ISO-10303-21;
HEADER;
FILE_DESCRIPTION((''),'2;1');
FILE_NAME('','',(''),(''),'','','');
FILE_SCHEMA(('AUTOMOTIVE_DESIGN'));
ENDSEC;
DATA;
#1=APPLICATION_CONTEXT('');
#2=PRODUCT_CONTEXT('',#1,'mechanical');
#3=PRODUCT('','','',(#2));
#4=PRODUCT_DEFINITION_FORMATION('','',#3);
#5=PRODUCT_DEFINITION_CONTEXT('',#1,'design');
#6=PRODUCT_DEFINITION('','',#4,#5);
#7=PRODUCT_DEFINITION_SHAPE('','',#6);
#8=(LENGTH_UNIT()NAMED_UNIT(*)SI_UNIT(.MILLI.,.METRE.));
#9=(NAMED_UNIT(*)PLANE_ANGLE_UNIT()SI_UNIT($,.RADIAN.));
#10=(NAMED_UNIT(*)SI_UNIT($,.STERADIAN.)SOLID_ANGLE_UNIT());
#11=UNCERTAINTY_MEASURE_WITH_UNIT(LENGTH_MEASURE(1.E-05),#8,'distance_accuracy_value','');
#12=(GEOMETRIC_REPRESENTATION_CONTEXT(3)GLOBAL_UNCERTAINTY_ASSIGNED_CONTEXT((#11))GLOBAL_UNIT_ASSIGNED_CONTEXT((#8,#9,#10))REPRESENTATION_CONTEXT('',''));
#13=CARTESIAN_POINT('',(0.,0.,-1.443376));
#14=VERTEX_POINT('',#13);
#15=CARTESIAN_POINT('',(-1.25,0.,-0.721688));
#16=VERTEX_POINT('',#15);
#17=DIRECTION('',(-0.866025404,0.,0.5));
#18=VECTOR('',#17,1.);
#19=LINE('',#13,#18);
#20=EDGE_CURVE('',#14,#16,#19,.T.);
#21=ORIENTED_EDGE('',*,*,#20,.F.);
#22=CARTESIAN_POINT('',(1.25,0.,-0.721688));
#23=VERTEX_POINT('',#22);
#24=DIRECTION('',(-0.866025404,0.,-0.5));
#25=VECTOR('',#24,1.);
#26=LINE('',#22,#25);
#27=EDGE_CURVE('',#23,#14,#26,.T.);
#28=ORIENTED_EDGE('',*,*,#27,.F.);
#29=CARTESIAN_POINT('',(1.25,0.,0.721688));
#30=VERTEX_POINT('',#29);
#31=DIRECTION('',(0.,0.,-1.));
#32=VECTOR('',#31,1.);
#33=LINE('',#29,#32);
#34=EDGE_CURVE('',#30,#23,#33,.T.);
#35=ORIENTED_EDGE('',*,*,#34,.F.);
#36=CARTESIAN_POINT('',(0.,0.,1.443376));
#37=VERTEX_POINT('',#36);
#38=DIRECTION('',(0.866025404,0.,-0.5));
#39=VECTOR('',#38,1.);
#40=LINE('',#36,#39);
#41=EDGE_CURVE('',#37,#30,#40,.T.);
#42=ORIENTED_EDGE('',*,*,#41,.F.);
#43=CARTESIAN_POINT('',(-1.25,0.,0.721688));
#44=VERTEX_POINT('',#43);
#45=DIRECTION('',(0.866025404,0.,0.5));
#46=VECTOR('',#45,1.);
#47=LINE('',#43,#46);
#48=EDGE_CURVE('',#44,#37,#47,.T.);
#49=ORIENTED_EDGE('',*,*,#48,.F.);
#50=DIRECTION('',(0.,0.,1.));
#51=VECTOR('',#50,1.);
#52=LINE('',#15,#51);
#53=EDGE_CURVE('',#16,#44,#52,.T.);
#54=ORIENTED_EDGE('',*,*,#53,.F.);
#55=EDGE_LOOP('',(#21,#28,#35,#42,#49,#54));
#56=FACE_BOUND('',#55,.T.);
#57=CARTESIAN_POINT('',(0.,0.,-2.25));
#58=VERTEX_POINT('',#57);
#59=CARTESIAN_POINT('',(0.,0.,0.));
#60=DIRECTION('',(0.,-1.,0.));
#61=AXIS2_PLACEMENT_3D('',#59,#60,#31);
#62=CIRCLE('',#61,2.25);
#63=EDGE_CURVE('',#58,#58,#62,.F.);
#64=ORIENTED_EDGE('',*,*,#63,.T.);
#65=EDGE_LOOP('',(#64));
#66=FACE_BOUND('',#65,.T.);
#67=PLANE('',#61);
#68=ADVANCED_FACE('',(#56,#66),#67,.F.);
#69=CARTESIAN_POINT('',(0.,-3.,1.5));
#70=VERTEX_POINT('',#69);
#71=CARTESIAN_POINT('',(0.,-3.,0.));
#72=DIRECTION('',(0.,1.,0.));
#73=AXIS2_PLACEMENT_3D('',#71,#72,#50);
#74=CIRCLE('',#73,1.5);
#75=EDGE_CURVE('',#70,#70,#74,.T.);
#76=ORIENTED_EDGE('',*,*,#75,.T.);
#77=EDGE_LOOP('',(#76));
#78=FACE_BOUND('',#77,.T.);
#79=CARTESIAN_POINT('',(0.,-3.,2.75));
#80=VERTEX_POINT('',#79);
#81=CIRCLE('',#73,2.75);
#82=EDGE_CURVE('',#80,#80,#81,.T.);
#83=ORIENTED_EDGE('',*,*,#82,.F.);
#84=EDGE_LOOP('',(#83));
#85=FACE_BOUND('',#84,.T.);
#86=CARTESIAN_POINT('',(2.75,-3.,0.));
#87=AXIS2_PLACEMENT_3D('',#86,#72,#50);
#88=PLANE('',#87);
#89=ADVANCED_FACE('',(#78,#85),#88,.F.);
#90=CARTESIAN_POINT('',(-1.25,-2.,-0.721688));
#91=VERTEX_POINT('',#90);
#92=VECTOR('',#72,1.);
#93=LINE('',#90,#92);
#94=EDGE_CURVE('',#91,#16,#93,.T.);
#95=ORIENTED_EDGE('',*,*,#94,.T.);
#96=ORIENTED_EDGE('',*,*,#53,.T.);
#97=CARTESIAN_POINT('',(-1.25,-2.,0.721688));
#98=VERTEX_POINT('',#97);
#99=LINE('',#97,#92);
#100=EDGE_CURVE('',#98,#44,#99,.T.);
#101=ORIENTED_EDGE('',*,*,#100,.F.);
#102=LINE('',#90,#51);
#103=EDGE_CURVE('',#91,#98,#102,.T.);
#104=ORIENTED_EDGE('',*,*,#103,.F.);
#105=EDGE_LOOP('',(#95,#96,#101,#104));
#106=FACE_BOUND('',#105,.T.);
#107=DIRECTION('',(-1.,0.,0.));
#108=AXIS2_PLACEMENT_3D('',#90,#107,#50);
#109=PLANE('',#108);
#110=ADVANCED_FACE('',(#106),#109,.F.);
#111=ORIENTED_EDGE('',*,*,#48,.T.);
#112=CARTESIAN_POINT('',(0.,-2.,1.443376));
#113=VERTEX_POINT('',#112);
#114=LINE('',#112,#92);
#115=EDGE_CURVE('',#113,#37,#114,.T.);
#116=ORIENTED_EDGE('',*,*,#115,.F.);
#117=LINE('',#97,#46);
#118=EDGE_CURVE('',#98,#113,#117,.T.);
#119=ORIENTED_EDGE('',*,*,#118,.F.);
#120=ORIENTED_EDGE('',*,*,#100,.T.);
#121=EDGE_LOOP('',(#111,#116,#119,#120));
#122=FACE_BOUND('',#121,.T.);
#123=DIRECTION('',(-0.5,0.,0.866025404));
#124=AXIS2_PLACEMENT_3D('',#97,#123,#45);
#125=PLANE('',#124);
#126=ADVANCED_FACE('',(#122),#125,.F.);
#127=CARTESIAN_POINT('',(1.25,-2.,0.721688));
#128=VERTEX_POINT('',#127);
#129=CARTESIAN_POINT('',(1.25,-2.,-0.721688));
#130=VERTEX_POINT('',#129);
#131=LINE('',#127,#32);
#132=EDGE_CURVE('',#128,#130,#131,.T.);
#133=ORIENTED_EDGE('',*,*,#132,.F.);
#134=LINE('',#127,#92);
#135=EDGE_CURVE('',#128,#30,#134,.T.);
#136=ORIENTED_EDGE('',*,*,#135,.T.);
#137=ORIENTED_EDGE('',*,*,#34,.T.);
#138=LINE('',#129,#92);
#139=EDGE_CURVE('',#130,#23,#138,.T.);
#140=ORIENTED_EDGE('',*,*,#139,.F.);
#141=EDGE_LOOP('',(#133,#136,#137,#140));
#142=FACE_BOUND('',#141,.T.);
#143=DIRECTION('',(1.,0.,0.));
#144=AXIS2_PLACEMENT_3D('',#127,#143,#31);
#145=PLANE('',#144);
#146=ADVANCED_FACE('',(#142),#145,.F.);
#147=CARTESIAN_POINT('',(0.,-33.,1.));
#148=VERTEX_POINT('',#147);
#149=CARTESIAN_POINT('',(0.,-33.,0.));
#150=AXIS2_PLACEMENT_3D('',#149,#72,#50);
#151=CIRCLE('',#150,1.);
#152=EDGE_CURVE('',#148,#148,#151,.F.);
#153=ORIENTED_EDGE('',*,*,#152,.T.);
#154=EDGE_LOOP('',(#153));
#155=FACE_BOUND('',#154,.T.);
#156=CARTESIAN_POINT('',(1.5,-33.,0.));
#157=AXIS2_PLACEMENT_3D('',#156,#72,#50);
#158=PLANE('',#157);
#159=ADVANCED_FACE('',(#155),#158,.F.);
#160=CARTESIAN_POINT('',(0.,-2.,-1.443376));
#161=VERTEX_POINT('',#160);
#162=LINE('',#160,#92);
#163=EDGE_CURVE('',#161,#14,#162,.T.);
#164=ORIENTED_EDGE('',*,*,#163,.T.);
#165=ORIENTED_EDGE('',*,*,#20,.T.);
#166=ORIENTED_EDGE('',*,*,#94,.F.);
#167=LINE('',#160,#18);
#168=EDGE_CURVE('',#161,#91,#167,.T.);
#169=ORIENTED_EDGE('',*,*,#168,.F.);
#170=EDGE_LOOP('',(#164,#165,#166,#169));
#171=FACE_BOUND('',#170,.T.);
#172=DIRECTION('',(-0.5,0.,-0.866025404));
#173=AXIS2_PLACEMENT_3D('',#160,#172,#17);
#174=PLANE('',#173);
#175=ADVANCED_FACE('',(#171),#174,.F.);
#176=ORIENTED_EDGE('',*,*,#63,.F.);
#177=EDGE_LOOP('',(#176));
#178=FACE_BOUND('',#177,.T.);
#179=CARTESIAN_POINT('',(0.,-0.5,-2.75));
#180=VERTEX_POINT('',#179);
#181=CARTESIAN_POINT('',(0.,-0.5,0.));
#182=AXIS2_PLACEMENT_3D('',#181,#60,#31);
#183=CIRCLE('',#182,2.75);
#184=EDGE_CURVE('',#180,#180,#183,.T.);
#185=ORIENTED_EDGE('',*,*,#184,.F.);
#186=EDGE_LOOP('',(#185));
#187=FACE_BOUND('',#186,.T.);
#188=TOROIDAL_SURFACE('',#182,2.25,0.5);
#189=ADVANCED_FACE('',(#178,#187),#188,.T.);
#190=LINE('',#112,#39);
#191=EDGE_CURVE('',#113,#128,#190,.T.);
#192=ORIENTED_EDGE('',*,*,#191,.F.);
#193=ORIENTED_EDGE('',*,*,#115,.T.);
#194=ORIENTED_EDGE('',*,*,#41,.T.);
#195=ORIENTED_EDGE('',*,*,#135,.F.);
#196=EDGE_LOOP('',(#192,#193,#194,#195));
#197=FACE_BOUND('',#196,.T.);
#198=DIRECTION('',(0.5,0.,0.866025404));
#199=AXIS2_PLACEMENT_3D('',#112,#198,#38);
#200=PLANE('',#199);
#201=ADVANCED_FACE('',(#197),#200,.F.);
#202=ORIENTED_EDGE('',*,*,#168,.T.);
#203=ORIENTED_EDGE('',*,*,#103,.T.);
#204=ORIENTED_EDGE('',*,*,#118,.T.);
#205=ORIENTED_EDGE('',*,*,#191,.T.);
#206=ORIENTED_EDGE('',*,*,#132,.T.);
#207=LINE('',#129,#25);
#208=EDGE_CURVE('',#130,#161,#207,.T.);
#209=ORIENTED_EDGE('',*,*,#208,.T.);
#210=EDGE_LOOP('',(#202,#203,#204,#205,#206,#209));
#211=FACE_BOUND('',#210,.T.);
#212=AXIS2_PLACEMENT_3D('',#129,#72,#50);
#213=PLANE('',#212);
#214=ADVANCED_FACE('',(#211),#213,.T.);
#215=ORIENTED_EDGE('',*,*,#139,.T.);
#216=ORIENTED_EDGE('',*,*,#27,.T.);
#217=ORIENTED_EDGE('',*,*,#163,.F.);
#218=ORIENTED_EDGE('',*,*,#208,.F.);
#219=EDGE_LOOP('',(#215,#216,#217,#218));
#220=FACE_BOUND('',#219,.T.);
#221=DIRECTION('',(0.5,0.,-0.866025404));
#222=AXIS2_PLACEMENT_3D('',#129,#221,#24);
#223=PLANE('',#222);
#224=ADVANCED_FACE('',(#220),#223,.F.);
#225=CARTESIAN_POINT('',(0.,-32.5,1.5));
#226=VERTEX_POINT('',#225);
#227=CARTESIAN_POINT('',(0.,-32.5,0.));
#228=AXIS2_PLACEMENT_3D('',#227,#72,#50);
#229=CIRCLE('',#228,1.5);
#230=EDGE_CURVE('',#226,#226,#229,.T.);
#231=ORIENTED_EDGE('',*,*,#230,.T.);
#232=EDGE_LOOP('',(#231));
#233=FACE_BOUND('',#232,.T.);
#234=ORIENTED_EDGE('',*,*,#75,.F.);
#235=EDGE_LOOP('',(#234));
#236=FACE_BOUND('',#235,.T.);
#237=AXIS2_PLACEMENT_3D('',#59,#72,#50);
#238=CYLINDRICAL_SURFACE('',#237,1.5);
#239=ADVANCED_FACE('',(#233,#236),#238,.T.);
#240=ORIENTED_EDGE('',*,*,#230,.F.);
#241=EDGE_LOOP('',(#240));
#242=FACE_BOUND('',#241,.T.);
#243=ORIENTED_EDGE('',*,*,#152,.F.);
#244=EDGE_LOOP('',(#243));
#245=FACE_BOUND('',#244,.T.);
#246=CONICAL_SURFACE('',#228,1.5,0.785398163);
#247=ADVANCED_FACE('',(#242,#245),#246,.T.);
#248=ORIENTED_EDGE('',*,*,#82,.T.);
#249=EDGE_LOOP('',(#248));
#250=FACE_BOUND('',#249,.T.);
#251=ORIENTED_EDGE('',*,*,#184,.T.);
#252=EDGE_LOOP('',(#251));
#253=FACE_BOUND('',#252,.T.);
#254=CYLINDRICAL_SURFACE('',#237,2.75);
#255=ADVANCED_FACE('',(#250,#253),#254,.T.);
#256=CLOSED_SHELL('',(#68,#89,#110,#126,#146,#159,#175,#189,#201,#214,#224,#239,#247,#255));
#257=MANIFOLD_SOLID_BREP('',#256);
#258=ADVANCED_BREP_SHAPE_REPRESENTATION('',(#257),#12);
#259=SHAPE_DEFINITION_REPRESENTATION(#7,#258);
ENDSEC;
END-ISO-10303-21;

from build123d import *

# Parameters (mm, degrees)
CORTAR_EXTRUIR1_DEPTH = 2
CHAFL_N1_SIZE         = 0.5
REDONDEO1_R           = 0.5


with BuildPart() as part:
    # Croquis1 → Revolución1 (revolve)
    with BuildSketch(Plane.XY):
        Polygon((0, 0), (2.75, 0), (2.75, -3), (1.5, -3), (1.5, -33), (0, -33), align=None)
    revolve(axis=Axis((0, 0, 0), (0, -1, 0)))

    # Croquis2 → Cortar-Extruir1 (cut)
    with BuildSketch(Plane(origin=(0, 0, 0), x_dir=(1, 0, 0), z_dir=(0, 1, 0))):
        Polygon((1.25, 0.721687836), (0, 1.443375673), (-1.25, 0.721687836), (-1.25, -0.721687836), (0, -1.443375673), (1.25, -0.721687836), align=None)
    extrude(amount=-CORTAR_EXTRUIR1_DEPTH, mode=Mode.SUBTRACT)

    # Chaflán1
    chafl_n1_edges = [part.edges().sort_by_distance(p)[0] for p in [
        (-1.5, -33, 0),
    ]]
    chamfer(chafl_n1_edges, length=CHAFL_N1_SIZE)

    # Redondeo1
    redondeo1_edges = [part.edges().sort_by_distance(p)[0] for p in [
        (-2.75, 0, 0),
    ]]
    fillet(redondeo1_edges, radius=REDONDEO1_R)


solid = part.part
